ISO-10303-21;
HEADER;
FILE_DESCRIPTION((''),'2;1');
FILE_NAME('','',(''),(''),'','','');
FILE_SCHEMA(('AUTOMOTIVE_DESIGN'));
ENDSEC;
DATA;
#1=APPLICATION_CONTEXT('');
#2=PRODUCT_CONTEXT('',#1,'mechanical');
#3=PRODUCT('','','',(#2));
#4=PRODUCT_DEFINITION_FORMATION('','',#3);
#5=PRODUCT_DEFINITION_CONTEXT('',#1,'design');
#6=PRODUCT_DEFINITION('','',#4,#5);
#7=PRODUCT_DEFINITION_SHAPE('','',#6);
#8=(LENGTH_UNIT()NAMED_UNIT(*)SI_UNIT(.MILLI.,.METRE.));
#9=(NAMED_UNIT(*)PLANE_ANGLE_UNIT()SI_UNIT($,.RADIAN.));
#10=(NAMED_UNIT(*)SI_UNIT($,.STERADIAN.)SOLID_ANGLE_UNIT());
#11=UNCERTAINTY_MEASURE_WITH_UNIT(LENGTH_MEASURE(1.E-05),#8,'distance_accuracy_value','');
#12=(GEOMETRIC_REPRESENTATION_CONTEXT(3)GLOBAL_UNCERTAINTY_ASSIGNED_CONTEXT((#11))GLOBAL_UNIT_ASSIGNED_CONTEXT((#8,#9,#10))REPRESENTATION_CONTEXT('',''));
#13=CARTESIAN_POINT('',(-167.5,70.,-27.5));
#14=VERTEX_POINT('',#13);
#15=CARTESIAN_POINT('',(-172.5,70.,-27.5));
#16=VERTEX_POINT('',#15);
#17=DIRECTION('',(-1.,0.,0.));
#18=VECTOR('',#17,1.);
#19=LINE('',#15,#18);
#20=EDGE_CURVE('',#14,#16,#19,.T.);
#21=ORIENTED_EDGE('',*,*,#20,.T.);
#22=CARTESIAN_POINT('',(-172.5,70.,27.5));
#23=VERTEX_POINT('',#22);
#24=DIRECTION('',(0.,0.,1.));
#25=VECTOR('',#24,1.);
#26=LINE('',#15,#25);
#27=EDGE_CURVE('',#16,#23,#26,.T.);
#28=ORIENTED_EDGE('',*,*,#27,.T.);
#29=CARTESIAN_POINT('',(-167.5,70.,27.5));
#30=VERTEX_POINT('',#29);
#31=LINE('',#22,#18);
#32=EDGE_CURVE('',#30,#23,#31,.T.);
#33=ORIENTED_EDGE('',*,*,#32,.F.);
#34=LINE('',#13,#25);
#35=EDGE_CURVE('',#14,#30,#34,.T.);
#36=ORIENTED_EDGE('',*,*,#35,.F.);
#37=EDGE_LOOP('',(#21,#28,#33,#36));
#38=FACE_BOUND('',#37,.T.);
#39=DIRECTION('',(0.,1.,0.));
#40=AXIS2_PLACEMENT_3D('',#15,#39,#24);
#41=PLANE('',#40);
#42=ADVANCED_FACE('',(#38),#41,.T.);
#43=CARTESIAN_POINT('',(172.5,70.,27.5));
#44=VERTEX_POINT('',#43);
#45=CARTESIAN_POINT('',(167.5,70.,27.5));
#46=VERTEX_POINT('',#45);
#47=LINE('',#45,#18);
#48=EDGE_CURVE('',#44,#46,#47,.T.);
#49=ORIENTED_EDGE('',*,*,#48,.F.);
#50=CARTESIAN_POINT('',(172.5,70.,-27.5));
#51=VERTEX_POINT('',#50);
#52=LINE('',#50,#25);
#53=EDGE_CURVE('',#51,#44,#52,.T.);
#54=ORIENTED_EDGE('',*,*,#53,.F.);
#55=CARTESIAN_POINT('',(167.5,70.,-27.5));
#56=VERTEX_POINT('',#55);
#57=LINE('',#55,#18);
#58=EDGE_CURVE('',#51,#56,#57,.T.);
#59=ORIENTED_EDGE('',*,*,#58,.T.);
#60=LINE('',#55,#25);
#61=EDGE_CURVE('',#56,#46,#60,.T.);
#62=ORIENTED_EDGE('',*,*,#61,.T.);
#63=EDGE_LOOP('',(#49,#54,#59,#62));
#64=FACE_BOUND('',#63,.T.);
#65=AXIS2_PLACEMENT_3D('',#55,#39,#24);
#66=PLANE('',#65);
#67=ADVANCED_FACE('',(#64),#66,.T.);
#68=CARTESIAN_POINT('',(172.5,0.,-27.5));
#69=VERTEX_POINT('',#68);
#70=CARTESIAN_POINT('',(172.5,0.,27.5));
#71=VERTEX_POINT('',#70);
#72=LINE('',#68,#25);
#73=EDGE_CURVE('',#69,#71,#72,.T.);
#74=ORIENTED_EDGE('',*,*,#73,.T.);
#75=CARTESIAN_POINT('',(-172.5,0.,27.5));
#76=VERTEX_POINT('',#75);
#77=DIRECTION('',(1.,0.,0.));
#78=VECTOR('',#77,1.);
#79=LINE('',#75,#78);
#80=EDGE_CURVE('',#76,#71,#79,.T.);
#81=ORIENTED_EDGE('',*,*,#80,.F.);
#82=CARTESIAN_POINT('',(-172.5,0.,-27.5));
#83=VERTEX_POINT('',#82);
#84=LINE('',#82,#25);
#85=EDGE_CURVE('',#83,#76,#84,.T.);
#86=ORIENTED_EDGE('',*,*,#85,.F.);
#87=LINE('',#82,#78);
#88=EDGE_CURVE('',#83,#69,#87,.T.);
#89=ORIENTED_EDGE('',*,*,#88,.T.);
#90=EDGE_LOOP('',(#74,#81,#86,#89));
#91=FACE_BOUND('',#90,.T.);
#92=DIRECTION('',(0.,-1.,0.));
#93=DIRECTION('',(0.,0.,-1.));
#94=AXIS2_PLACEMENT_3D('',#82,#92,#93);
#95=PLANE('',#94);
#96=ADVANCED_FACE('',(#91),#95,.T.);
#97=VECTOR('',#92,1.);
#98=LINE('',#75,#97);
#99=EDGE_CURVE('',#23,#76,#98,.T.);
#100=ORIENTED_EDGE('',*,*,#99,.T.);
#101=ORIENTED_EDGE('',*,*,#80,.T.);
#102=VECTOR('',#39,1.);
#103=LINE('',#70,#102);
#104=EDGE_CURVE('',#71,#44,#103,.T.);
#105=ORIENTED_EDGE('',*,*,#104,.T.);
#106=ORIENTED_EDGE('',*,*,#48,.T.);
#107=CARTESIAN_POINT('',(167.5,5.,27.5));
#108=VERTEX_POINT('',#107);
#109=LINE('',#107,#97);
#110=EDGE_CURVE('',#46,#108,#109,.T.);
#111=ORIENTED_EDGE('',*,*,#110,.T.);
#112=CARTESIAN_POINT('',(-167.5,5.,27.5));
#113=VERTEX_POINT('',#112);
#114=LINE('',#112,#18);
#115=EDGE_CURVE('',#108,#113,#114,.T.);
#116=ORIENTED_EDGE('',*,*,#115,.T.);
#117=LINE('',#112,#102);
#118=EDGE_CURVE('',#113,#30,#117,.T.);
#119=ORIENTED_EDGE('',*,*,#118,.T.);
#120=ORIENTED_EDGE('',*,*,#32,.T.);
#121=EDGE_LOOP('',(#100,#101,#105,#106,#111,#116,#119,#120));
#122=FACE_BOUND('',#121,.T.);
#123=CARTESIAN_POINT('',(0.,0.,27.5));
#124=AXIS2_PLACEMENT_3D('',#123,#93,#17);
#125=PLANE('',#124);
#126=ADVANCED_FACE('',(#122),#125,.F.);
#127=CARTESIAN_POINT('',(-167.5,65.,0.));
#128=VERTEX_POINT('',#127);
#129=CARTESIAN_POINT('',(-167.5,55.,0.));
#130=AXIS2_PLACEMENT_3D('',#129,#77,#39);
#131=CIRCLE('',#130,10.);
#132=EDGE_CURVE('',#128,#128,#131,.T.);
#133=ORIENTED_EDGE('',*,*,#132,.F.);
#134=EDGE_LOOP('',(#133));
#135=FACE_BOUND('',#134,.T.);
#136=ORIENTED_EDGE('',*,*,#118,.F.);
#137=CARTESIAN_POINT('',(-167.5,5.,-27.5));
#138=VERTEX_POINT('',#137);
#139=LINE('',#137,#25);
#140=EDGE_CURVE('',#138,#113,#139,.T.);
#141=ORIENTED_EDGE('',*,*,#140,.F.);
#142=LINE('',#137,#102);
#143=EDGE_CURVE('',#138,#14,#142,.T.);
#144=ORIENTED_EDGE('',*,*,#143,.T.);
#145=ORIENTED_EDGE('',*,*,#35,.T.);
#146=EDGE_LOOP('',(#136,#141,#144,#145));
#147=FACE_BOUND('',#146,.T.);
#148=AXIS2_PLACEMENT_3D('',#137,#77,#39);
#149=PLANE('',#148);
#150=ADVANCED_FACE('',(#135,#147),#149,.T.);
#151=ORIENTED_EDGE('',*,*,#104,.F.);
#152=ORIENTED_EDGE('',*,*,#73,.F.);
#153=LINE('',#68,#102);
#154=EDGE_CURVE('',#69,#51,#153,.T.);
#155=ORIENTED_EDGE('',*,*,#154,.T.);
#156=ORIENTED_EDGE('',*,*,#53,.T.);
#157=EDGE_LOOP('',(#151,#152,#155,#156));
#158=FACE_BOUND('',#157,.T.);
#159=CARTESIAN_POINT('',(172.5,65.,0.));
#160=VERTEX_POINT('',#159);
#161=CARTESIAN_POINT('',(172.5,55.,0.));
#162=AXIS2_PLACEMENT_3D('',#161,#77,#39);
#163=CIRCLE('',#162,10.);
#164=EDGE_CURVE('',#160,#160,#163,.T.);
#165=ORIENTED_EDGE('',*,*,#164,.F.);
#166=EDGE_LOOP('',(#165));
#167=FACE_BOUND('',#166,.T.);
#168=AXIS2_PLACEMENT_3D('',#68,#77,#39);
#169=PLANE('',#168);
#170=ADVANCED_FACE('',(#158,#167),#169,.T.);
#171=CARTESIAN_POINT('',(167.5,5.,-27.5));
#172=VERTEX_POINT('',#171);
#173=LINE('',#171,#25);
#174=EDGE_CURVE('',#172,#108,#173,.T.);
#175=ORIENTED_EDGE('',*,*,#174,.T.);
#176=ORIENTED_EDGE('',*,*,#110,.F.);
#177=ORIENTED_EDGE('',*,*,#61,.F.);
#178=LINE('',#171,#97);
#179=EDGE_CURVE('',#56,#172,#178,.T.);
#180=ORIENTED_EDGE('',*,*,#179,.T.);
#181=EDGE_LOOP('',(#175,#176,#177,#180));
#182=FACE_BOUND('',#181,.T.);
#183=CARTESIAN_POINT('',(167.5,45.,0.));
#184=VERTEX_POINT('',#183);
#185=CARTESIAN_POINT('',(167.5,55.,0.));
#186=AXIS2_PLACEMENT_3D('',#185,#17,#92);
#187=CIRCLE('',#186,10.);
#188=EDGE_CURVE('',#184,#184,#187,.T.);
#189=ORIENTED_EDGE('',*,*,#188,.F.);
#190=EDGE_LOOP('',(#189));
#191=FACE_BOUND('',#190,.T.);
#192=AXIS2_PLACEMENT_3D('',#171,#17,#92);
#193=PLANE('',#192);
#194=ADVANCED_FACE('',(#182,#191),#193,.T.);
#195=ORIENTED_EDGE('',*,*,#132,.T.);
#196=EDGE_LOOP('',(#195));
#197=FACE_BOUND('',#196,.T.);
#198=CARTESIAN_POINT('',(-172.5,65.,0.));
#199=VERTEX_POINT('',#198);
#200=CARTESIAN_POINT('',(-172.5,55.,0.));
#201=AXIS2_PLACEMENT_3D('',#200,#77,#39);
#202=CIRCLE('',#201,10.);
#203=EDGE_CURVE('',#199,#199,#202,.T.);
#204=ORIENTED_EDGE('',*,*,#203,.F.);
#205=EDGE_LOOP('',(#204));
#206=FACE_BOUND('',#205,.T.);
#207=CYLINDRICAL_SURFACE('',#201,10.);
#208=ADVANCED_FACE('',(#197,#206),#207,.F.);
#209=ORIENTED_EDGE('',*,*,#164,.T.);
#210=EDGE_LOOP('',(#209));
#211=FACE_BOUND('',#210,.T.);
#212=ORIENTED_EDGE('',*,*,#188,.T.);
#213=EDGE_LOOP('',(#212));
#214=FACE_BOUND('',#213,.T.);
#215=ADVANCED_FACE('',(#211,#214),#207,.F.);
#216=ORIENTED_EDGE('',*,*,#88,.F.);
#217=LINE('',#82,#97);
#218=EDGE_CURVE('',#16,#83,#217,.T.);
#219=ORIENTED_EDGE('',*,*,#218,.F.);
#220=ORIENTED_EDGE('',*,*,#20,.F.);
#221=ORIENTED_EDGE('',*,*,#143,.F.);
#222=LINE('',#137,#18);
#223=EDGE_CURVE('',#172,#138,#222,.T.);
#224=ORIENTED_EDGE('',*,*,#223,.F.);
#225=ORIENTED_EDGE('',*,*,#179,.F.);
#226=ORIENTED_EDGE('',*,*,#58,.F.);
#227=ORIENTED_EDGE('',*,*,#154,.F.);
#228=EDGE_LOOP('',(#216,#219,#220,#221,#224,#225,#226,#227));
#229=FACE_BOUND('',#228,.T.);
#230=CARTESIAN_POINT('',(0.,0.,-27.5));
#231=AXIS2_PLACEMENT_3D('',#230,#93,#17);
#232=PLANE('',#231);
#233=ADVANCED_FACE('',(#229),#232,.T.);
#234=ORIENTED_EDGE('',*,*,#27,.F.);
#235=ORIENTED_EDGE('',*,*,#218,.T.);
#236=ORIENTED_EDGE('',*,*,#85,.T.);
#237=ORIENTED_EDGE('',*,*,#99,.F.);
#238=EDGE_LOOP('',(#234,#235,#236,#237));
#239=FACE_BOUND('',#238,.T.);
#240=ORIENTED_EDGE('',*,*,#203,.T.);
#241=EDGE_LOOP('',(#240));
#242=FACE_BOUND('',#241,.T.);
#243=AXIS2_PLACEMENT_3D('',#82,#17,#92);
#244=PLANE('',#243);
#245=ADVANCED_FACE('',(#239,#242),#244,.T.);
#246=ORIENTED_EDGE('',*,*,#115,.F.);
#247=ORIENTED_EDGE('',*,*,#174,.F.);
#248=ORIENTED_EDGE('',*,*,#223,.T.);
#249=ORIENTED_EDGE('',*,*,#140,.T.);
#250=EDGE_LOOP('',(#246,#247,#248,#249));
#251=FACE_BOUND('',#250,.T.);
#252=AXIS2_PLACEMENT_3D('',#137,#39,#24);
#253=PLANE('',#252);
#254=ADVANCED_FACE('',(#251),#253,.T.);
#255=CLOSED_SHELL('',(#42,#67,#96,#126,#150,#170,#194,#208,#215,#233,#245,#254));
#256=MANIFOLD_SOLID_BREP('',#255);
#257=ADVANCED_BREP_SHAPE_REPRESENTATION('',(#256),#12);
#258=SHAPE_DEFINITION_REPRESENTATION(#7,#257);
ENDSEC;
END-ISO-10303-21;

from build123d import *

# Parameters (mm, degrees)
BOSS_EXTRUDE1_DEPTH      = 27.5
BOSS_EXTRUDE1_DEPTH_BACK = 27.5
SKETCH2_R                = 10
CUT_EXTRUDE1_DEPTH       = 354.102322281


with BuildPart() as part:
    # Sketch1 → Boss-Extrude1 (new, two sides: drawn at the far end of the back side and taken through both)
    with BuildSketch(Plane.XY.offset(-BOSS_EXTRUDE1_DEPTH_BACK)):
        Polygon((-172.5, 0), (172.5, 0), (172.5, 70), (167.5, 70), (167.5, 5), (-167.5, 5), (-167.5, 70), (-172.5, 70), align=None)
    extrude(amount=BOSS_EXTRUDE1_DEPTH + BOSS_EXTRUDE1_DEPTH_BACK)

    # Sketch2 → Cut-Extrude1 (cut, through all)
    with BuildSketch(Plane(origin=(172.5, 0, 0), x_dir=(0, 0, -1), z_dir=(1, 0, 0))):
        with Locations((0, 55)):
            Circle(SKETCH2_R)
    extrude(amount=-CUT_EXTRUDE1_DEPTH, mode=Mode.SUBTRACT)


solid = part.part
